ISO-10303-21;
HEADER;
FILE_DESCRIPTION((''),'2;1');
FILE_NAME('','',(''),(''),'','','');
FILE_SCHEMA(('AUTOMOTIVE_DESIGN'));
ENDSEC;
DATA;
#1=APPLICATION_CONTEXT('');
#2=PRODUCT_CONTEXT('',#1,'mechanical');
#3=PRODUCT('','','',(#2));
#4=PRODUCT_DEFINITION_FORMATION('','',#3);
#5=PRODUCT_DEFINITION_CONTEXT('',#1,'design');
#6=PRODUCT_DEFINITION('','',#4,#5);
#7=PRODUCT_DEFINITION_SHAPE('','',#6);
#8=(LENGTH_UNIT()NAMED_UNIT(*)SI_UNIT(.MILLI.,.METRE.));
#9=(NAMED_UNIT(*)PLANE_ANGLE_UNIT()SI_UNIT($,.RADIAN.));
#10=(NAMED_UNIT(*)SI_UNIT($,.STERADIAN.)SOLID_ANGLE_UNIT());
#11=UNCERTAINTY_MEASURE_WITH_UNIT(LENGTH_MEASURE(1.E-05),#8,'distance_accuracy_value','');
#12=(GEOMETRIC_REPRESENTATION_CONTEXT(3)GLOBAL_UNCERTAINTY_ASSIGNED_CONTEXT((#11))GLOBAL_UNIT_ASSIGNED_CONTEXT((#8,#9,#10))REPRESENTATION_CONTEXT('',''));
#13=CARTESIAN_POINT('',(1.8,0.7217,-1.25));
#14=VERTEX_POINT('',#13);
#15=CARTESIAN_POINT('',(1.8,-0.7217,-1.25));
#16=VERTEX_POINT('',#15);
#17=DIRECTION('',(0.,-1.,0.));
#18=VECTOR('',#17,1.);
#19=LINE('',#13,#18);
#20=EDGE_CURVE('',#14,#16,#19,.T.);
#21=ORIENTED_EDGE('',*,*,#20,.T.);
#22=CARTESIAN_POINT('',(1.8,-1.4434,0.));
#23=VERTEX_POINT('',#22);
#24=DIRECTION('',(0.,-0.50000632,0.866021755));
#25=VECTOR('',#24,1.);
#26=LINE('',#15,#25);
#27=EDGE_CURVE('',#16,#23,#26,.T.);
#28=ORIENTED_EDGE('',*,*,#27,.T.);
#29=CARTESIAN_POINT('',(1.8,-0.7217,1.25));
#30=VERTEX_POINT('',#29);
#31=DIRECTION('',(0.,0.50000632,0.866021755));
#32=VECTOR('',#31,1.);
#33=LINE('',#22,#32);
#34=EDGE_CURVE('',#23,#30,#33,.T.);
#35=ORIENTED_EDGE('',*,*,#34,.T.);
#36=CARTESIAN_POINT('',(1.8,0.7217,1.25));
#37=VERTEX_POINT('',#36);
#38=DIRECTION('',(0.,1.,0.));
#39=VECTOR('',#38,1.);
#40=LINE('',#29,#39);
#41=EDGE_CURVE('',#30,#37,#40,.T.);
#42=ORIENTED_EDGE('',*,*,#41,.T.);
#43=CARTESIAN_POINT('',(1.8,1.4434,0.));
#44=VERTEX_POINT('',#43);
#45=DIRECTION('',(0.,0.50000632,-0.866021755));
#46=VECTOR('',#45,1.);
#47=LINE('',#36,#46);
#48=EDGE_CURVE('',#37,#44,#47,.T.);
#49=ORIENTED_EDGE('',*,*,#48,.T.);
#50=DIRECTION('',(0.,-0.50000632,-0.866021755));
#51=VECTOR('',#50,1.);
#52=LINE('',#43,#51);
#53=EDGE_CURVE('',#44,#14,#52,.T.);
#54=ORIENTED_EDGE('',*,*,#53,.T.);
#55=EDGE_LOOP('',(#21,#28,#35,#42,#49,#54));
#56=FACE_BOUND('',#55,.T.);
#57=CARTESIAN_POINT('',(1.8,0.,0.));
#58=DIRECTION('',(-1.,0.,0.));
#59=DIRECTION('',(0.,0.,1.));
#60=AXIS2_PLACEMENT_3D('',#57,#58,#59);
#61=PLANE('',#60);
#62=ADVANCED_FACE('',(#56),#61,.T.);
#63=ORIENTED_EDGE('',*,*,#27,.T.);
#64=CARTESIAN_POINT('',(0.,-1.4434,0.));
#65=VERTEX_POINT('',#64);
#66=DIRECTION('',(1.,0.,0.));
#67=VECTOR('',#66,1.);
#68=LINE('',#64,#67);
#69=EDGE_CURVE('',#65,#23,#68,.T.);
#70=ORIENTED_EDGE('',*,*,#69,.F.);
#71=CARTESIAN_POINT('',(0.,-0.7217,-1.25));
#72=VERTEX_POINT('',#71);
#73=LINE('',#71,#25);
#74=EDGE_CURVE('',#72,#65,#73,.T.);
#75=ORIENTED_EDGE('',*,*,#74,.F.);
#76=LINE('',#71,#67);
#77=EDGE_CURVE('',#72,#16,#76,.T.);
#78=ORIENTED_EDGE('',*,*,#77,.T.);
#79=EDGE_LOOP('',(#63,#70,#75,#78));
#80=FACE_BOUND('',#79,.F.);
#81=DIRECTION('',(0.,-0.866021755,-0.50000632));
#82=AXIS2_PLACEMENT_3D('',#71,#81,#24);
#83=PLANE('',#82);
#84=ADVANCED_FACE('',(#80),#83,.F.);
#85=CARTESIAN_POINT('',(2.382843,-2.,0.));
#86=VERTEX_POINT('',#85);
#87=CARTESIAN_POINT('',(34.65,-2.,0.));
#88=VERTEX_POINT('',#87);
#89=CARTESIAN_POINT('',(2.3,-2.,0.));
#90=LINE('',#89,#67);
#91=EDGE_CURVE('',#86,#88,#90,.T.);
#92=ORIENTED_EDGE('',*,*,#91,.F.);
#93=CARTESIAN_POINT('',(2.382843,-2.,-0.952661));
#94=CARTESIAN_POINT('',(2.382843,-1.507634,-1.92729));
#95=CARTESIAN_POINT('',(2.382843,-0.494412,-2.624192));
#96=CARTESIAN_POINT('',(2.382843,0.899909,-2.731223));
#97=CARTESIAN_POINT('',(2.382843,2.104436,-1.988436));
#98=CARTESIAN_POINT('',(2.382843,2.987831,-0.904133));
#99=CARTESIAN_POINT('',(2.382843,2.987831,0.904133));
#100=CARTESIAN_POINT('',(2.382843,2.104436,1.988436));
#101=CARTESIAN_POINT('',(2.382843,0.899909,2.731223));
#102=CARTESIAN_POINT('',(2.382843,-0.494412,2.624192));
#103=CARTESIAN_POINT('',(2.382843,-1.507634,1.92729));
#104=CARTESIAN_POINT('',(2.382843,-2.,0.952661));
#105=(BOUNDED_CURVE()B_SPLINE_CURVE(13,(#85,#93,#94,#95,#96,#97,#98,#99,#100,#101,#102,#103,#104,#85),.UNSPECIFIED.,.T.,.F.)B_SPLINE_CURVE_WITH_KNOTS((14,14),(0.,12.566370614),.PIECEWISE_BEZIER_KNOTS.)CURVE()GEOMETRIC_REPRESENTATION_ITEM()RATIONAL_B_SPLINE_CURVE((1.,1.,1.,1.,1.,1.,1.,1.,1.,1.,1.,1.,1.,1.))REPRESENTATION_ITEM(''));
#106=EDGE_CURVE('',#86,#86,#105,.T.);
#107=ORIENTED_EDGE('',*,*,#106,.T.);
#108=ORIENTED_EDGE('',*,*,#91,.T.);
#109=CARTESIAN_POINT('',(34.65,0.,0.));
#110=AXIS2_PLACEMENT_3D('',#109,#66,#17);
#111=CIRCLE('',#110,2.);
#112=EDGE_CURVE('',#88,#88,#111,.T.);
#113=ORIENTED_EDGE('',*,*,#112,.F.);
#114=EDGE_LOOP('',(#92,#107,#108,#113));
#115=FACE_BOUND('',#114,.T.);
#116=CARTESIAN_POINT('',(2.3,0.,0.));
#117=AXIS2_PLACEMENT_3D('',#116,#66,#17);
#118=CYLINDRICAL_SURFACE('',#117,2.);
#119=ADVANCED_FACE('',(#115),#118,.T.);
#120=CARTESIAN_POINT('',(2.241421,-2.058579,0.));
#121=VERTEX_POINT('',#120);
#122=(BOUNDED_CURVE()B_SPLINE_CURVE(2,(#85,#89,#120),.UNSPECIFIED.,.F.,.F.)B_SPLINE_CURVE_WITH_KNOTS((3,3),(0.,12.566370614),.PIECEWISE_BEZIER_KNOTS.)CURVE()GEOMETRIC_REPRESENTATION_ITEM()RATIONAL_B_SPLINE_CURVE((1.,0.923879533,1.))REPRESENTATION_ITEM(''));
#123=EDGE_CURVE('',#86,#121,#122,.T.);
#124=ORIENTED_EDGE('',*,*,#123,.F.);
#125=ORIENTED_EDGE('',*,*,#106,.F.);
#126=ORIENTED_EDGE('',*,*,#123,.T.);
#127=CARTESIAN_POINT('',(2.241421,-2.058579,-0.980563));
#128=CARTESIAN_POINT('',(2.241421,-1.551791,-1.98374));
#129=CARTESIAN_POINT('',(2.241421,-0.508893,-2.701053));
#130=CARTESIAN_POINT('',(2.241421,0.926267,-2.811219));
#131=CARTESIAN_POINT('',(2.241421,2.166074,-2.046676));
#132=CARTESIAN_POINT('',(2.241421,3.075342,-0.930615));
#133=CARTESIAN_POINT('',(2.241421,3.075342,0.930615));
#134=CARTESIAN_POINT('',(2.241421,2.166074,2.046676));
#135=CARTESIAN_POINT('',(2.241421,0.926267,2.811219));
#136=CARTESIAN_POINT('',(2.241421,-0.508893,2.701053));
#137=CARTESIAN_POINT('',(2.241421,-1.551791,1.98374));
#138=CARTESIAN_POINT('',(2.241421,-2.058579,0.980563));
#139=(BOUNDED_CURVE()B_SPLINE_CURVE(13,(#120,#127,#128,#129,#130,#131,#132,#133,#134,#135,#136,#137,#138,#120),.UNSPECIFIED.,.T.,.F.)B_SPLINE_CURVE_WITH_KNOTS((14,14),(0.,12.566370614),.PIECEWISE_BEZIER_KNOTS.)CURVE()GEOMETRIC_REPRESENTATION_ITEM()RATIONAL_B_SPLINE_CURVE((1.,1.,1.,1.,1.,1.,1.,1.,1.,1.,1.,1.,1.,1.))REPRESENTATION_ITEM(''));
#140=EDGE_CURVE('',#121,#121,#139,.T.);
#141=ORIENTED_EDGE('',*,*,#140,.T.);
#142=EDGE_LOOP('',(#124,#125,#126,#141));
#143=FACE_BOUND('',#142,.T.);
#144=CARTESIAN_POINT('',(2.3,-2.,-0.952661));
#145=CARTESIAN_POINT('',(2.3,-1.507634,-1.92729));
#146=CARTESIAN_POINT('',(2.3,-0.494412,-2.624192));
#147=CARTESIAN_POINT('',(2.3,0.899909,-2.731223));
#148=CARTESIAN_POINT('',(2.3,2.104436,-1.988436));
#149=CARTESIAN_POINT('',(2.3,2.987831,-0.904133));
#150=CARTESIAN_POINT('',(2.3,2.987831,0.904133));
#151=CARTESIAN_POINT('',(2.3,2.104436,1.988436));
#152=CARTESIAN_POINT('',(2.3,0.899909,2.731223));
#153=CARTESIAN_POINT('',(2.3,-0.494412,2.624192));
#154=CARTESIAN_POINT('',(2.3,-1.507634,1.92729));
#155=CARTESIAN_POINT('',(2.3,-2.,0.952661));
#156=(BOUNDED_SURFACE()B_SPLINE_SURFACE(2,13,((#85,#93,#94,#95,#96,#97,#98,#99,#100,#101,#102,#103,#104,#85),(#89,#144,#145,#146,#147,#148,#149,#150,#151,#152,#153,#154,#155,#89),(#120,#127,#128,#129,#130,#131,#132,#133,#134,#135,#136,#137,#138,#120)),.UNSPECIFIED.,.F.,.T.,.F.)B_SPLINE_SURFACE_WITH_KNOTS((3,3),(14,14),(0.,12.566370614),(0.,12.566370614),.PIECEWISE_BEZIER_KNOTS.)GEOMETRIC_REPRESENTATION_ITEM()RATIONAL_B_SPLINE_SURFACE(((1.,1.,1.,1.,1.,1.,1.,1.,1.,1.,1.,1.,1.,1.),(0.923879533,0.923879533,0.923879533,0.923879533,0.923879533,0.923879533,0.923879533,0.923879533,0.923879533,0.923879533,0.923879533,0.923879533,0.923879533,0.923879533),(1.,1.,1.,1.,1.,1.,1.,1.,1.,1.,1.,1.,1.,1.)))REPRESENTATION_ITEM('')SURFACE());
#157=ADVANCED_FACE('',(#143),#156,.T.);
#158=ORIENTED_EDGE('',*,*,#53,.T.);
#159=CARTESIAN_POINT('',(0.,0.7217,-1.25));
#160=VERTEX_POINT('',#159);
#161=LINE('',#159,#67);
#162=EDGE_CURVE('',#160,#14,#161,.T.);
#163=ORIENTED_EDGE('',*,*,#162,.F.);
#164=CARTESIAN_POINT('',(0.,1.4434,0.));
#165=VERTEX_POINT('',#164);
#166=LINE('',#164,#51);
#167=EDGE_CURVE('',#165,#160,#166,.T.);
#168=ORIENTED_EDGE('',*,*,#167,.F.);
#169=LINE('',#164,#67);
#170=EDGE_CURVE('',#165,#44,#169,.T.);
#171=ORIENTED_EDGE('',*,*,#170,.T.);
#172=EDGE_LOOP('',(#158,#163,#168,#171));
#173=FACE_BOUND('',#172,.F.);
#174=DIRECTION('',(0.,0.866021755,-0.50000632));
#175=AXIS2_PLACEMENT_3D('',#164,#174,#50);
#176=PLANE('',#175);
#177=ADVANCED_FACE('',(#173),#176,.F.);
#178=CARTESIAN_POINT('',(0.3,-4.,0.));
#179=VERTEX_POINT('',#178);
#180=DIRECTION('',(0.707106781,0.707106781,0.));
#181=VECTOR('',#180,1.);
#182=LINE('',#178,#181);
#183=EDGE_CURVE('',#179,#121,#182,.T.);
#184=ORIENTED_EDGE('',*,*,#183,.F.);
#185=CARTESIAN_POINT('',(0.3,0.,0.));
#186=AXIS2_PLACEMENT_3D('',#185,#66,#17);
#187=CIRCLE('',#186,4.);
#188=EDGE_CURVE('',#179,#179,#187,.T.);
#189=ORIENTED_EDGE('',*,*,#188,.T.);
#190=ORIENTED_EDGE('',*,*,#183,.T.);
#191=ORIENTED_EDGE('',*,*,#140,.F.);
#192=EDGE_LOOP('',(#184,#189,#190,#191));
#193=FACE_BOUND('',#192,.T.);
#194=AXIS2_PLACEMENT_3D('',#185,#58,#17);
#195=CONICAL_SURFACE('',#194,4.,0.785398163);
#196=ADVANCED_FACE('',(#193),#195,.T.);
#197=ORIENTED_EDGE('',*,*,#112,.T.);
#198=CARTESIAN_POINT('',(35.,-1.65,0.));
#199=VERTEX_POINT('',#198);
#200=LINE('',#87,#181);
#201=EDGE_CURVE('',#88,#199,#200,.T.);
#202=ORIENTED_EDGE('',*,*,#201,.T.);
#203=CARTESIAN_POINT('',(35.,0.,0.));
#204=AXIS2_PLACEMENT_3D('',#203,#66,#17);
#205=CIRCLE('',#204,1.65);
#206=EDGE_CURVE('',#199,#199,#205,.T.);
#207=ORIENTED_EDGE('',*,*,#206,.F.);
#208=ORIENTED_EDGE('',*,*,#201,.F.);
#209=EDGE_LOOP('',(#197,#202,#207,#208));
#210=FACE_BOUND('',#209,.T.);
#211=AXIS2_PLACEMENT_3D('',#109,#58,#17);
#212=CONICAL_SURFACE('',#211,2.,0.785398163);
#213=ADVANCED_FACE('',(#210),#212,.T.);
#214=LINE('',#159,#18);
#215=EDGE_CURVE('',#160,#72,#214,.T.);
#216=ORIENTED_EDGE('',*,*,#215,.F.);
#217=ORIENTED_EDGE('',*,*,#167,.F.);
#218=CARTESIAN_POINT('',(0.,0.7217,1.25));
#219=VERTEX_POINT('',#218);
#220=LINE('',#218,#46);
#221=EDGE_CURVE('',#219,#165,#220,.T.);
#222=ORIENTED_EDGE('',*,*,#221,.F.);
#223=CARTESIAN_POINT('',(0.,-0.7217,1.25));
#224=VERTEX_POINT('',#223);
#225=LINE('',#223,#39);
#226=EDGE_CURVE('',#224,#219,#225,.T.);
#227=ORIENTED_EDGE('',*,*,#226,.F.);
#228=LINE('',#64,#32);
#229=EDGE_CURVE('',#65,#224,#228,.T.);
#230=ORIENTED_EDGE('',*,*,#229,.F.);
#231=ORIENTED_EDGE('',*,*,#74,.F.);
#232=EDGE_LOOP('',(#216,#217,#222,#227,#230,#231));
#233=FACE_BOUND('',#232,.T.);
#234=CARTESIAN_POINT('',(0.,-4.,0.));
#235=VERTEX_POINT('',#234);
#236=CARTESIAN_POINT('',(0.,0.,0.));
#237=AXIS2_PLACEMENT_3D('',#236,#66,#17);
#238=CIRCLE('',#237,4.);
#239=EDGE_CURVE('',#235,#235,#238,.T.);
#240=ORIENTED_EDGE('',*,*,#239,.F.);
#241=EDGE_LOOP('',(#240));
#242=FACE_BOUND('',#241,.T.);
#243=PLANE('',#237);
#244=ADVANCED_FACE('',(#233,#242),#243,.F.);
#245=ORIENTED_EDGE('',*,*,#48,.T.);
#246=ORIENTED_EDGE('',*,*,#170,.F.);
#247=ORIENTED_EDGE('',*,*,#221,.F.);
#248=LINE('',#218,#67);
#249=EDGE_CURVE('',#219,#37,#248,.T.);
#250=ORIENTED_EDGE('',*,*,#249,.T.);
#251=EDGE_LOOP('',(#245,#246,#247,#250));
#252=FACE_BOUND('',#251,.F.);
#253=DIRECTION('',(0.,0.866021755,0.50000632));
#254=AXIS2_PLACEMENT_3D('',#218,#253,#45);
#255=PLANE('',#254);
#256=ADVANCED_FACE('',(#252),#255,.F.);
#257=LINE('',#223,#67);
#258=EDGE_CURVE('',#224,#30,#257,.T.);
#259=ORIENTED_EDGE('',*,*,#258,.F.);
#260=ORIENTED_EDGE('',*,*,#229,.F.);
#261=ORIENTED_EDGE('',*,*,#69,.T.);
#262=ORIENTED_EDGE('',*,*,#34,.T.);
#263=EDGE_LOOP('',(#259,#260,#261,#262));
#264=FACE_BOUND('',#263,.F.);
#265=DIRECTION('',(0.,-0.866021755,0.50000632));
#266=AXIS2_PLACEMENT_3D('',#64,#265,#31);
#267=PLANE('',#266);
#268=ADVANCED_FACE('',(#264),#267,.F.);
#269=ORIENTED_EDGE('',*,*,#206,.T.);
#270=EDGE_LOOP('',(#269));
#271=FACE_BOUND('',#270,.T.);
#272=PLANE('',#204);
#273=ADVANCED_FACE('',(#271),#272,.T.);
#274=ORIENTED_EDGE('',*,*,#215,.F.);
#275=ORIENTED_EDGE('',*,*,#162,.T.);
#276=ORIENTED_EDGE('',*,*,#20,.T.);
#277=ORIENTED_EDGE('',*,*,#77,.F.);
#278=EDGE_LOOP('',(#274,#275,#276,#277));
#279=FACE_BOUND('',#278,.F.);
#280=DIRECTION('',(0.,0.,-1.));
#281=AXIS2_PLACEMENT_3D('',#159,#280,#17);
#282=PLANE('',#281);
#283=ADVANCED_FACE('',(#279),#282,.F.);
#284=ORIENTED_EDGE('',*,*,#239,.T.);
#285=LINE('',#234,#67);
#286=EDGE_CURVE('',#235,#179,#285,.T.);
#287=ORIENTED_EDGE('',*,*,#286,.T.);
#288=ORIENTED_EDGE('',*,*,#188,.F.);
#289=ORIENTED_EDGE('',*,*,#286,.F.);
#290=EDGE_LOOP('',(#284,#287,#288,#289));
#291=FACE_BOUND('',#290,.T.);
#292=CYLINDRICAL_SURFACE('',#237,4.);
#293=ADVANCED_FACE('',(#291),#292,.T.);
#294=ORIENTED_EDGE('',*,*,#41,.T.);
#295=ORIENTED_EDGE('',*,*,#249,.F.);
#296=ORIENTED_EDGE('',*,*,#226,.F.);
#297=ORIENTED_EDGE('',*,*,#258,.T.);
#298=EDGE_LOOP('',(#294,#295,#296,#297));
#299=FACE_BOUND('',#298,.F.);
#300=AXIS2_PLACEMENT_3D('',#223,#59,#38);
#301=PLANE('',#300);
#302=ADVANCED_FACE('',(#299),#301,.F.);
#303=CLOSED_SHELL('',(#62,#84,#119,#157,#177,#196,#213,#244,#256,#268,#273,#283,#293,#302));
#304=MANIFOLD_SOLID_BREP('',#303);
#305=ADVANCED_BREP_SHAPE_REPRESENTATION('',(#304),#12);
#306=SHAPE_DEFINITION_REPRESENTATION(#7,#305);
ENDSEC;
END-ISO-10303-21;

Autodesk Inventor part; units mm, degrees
ref_plane "YZ Plane" through (0, 0, 0) normal (1, 0, 0) x (0, 1, 0)
sketch "Sketch1" plane through (0, 0, 0) normal (0, 1, 0) x (-1, 0, 0)
  point P0 (0, 0)
sketch "Sketch2" plane through (0, 0, 0) normal (0, 0, 1) x (-1, 0, 0)
  line L0 (-35, 2) -> (-35, 0)
  line L1 (-2.3, 2) -> (-35, 2)
  line L2 (-0.3, 4) -> (-2.3, 2)
  line L3 (0, 4) -> (-0.3, 4)
  line L4 (0, 0) -> (0, 4)
  line L5 (-35, 0) -> (0, 0)
  line L6 (-35, 0) -> (0, 0)
  line L7 (0, -9.6) -> (0, 1.6) projected
  line L8 (7, 0) -> (-42, 0) projected
  dimension "ParC" = 0.3
  dimension "d43" = 45
  dimension "d44" = 4
  dimension "d45" = 2
  dimension "d46" = 35
  dimension "d47" = 0
  dimension "d48" = 0
revolve "Revolution1" add sketch "Sketch2" angle 360 about axis through (35, 0, 0) along (1, 0, 0)
sketch "Sketch3" plane through (0, 0, 0) normal (-1, 0, 0) x (0, 0, 1)
  line L0 (-1.25, 0.7217) -> (-1.25, -0.7217)
  line L1 (0, 1.4434) -> (-1.25, 0.7217)
  line L2 (1.25, 0.7217) -> (0, 1.4434)
  line L3 (1.25, -0.7217) -> (1.25, 0.7217)
  line L4 (0, -1.4434) -> (1.25, -0.7217)
  line L5 (-1.25, -0.7217) -> (0, -1.4434)
  circle A0 centre (0, 0) radius 1.25 construction
  circle A1 centre (0, 0) radius 2 construction
  dimension "d11" = 2.5
  dimension "d13" = 120
  dimension "d15" = 120
extrude "Extrusion1" cut sketch "Sketch3" against normal blind 1.8
fillet "Fillet1" radius 0.2 1 edges at (2.3, 2, 0)
chamfer "Chamfer1" distance 0.35 angle 45 1 edges at (35, 2, 0) measured on face at (24.1276, 0.9288, -1.7713)
thread "Thread1" size "M4x0.7" class "6g" standard "ISO Metric profile" length 14
ref_plane "MSC_PF1" through (0, 0, 0) normal (1, 0, 0) x (0, 1, 0)
ref_plane "MSC_PT1" through (0, 0, 0) normal (1, 0, 0) x (0, 1, 0)
equation "\"d43\" = 0.5 * ang"
equation "\"d44\" = 0.5 * dk"
equation "\"d45\" = 0.5 * NND"
equation "\"d46\" = NLG"
equation "\"d18\" = r"
equation "\"d19\" = 0.5 * PTC"
equation "\"d39\" = 0.5 * PTC"
equation "\"d11\" = ParS"
equation "\"d16\" = ParT"
equation "\"NND\" = 4"
equation "\"PTC\" = 0.7"
equation "\"dk\" = 8"
equation "\"ParK\" = 2.3"
equation "\"ParS\" = 2.5"
equation "\"ParT\" = 1.8"
equation "\"r\" = 0.2"
equation "\"NLG\" = 35"
equation "\"ang\" = 90deg"
equation "\"THREADDIA\" = NND"
properties part number "ISO 10642 - M4 x  35" material "Steel"
